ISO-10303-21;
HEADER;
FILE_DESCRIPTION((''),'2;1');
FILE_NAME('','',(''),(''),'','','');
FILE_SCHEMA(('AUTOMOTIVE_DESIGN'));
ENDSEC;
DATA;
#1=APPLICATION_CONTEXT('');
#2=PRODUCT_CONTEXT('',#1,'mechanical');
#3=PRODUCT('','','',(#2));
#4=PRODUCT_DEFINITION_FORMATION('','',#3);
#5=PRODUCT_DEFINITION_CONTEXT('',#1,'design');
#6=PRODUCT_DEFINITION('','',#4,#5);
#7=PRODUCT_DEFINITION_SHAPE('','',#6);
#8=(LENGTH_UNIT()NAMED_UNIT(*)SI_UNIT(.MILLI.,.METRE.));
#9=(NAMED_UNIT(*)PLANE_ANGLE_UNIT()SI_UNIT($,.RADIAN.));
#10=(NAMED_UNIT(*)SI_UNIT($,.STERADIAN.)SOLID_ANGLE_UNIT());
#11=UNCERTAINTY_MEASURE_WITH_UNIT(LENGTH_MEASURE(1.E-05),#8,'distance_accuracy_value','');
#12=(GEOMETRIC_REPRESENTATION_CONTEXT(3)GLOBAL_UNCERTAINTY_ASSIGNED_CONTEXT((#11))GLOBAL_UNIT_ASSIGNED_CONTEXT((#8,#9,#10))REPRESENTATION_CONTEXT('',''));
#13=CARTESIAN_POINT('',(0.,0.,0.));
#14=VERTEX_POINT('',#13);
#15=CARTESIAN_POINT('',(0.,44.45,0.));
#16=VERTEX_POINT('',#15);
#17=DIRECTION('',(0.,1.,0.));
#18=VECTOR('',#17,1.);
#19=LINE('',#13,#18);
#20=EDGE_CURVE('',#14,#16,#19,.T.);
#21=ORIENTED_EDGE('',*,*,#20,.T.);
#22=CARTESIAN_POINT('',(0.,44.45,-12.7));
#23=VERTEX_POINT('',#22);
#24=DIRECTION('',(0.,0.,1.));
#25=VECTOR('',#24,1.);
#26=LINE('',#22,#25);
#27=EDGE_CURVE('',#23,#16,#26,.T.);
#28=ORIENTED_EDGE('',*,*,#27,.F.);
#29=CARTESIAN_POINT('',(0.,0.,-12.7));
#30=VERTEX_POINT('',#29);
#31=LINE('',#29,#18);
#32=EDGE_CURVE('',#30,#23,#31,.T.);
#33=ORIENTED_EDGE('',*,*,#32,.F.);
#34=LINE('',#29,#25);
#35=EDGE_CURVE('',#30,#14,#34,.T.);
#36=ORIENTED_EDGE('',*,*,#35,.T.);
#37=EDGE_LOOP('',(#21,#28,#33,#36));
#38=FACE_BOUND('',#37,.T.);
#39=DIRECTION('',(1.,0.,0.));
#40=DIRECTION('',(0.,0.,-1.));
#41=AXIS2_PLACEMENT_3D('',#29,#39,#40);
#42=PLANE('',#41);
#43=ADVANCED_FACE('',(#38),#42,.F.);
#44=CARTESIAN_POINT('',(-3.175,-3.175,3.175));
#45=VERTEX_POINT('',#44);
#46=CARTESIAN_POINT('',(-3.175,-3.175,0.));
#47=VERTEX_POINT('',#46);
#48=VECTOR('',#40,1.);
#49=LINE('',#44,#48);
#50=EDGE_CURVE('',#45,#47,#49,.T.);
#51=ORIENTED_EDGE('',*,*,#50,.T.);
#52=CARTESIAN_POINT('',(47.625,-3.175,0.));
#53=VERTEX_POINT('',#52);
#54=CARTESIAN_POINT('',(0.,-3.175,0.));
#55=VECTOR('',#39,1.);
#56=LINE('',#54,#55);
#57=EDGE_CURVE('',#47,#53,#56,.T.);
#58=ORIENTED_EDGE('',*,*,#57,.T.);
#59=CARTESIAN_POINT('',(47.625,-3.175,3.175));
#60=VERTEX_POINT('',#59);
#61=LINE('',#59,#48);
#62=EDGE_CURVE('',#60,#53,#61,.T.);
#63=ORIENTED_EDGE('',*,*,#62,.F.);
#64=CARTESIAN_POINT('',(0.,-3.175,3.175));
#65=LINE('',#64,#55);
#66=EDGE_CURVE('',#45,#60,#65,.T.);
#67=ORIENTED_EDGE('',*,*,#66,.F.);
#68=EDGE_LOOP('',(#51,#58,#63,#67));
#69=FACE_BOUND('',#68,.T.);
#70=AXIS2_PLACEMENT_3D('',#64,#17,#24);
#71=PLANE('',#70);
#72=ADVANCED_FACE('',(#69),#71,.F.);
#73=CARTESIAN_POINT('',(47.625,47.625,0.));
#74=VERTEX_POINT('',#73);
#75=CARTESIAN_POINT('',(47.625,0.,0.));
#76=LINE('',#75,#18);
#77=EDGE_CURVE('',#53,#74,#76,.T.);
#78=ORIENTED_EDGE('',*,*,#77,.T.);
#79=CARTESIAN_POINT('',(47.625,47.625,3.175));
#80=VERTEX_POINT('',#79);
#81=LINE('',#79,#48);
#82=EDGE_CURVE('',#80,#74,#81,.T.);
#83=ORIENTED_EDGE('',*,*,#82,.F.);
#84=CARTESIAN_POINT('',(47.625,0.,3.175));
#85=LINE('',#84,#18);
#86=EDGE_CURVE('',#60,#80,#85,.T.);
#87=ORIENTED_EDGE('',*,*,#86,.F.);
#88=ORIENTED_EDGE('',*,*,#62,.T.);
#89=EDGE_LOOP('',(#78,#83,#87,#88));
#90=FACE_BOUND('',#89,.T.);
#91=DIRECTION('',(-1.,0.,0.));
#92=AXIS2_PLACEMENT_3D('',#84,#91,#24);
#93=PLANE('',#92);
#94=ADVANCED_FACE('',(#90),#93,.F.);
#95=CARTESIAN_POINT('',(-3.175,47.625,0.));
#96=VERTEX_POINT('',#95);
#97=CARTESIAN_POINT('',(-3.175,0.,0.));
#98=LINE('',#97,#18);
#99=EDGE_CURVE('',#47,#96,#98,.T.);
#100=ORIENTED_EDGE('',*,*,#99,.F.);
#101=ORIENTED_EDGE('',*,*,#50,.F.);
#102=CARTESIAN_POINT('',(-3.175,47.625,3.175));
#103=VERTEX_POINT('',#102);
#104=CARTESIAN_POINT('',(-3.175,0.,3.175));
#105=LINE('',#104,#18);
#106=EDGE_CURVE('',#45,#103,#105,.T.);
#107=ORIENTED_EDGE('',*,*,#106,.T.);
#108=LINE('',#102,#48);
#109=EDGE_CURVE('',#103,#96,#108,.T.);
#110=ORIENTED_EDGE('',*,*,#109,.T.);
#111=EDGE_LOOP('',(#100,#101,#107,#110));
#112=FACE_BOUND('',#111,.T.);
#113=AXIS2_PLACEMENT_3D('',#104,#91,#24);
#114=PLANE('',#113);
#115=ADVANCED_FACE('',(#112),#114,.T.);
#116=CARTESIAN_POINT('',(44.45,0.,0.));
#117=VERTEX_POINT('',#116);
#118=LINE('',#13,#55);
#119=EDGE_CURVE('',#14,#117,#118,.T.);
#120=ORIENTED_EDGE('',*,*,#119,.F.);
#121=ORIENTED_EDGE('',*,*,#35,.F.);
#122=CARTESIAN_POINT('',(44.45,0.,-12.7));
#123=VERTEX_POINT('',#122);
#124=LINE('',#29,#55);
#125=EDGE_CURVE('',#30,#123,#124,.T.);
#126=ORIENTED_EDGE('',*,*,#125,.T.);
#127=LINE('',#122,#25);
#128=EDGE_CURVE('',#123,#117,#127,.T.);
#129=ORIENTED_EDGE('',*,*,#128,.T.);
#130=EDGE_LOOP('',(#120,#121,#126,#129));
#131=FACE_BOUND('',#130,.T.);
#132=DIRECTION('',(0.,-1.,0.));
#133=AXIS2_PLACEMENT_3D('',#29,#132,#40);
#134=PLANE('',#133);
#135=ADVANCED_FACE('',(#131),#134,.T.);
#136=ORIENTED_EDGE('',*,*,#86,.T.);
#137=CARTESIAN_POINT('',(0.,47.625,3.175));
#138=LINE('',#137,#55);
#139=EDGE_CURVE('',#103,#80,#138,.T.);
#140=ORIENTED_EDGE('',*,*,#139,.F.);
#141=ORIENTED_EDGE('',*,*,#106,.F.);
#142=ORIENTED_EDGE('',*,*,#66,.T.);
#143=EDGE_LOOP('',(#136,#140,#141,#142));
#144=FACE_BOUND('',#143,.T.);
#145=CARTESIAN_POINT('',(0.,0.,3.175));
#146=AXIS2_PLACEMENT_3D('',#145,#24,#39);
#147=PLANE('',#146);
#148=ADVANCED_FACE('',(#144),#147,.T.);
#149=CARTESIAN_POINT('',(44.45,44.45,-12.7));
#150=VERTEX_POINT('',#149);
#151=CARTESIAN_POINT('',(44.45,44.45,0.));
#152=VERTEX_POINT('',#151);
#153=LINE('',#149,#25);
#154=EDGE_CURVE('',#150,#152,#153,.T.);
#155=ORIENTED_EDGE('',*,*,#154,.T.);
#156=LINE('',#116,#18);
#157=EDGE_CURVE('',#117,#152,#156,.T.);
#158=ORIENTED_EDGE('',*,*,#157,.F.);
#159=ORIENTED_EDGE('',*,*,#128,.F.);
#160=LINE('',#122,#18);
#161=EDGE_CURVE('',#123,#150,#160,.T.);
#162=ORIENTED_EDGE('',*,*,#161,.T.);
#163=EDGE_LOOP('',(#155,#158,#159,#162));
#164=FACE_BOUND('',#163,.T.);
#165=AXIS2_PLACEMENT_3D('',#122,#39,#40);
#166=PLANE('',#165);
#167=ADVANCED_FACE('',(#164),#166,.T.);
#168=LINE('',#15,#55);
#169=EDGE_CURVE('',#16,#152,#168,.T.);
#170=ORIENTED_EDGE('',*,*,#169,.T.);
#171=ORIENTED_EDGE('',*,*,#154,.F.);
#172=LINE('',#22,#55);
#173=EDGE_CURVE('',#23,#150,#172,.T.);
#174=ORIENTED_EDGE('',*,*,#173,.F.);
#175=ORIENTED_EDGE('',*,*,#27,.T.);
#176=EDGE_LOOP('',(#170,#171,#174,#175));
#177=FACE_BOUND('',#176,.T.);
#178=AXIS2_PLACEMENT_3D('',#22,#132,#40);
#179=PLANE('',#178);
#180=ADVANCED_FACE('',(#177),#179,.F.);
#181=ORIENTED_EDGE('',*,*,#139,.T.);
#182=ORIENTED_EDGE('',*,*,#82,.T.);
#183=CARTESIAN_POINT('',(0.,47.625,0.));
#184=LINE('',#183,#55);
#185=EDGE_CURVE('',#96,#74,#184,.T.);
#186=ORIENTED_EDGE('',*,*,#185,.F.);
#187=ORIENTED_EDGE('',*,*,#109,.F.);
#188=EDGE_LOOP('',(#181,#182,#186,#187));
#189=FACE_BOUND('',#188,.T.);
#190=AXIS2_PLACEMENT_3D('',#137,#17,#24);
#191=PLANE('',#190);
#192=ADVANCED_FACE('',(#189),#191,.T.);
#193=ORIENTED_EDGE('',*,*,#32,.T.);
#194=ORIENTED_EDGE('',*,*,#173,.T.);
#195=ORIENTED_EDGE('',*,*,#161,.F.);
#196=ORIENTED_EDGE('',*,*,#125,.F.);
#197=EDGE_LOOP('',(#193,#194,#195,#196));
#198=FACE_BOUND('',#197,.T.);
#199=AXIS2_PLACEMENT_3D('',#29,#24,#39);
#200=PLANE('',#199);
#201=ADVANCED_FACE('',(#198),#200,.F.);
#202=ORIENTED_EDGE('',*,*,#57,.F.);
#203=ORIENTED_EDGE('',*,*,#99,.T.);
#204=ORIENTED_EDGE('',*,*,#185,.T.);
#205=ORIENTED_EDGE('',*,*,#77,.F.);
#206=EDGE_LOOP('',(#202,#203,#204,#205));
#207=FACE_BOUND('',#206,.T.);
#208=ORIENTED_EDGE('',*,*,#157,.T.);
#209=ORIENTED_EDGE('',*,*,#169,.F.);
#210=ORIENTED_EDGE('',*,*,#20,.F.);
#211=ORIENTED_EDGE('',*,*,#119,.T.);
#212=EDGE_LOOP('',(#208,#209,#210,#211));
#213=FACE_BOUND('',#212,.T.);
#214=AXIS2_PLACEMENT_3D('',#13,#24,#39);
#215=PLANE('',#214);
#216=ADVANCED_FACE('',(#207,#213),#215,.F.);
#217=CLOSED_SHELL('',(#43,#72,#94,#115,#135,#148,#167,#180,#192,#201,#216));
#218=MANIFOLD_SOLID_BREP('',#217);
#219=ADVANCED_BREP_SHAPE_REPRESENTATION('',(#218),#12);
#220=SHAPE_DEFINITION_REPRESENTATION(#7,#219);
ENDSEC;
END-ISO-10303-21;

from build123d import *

# Parameters (mm, degrees)
SKETCH1_W           = 50.8
SKETCH1_H           = 50.8
BOSS_EXTRUDE1_DEPTH = 3.175
SKETCH1_4_W         = 44.45
SKETCH1_4_H         = 44.45
BOSS_EXTRUDE2_DEPTH = 12.7


with BuildPart() as part:
    # Sketch1 → Boss-Extrude1 (new body)
    with BuildSketch(Plane.XY):
        with Locations((22.225, 22.225)):
            Rectangle(SKETCH1_W, SKETCH1_H)
    extrude(amount=BOSS_EXTRUDE1_DEPTH)

    # Sketch1<4> → Boss-Extrude2 (add)
    with BuildSketch(Plane.XY):
        with Locations((22.225, 22.225)):
            Rectangle(SKETCH1_4_W, SKETCH1_4_H)
    extrude(amount=-BOSS_EXTRUDE2_DEPTH)


solid = part.part
